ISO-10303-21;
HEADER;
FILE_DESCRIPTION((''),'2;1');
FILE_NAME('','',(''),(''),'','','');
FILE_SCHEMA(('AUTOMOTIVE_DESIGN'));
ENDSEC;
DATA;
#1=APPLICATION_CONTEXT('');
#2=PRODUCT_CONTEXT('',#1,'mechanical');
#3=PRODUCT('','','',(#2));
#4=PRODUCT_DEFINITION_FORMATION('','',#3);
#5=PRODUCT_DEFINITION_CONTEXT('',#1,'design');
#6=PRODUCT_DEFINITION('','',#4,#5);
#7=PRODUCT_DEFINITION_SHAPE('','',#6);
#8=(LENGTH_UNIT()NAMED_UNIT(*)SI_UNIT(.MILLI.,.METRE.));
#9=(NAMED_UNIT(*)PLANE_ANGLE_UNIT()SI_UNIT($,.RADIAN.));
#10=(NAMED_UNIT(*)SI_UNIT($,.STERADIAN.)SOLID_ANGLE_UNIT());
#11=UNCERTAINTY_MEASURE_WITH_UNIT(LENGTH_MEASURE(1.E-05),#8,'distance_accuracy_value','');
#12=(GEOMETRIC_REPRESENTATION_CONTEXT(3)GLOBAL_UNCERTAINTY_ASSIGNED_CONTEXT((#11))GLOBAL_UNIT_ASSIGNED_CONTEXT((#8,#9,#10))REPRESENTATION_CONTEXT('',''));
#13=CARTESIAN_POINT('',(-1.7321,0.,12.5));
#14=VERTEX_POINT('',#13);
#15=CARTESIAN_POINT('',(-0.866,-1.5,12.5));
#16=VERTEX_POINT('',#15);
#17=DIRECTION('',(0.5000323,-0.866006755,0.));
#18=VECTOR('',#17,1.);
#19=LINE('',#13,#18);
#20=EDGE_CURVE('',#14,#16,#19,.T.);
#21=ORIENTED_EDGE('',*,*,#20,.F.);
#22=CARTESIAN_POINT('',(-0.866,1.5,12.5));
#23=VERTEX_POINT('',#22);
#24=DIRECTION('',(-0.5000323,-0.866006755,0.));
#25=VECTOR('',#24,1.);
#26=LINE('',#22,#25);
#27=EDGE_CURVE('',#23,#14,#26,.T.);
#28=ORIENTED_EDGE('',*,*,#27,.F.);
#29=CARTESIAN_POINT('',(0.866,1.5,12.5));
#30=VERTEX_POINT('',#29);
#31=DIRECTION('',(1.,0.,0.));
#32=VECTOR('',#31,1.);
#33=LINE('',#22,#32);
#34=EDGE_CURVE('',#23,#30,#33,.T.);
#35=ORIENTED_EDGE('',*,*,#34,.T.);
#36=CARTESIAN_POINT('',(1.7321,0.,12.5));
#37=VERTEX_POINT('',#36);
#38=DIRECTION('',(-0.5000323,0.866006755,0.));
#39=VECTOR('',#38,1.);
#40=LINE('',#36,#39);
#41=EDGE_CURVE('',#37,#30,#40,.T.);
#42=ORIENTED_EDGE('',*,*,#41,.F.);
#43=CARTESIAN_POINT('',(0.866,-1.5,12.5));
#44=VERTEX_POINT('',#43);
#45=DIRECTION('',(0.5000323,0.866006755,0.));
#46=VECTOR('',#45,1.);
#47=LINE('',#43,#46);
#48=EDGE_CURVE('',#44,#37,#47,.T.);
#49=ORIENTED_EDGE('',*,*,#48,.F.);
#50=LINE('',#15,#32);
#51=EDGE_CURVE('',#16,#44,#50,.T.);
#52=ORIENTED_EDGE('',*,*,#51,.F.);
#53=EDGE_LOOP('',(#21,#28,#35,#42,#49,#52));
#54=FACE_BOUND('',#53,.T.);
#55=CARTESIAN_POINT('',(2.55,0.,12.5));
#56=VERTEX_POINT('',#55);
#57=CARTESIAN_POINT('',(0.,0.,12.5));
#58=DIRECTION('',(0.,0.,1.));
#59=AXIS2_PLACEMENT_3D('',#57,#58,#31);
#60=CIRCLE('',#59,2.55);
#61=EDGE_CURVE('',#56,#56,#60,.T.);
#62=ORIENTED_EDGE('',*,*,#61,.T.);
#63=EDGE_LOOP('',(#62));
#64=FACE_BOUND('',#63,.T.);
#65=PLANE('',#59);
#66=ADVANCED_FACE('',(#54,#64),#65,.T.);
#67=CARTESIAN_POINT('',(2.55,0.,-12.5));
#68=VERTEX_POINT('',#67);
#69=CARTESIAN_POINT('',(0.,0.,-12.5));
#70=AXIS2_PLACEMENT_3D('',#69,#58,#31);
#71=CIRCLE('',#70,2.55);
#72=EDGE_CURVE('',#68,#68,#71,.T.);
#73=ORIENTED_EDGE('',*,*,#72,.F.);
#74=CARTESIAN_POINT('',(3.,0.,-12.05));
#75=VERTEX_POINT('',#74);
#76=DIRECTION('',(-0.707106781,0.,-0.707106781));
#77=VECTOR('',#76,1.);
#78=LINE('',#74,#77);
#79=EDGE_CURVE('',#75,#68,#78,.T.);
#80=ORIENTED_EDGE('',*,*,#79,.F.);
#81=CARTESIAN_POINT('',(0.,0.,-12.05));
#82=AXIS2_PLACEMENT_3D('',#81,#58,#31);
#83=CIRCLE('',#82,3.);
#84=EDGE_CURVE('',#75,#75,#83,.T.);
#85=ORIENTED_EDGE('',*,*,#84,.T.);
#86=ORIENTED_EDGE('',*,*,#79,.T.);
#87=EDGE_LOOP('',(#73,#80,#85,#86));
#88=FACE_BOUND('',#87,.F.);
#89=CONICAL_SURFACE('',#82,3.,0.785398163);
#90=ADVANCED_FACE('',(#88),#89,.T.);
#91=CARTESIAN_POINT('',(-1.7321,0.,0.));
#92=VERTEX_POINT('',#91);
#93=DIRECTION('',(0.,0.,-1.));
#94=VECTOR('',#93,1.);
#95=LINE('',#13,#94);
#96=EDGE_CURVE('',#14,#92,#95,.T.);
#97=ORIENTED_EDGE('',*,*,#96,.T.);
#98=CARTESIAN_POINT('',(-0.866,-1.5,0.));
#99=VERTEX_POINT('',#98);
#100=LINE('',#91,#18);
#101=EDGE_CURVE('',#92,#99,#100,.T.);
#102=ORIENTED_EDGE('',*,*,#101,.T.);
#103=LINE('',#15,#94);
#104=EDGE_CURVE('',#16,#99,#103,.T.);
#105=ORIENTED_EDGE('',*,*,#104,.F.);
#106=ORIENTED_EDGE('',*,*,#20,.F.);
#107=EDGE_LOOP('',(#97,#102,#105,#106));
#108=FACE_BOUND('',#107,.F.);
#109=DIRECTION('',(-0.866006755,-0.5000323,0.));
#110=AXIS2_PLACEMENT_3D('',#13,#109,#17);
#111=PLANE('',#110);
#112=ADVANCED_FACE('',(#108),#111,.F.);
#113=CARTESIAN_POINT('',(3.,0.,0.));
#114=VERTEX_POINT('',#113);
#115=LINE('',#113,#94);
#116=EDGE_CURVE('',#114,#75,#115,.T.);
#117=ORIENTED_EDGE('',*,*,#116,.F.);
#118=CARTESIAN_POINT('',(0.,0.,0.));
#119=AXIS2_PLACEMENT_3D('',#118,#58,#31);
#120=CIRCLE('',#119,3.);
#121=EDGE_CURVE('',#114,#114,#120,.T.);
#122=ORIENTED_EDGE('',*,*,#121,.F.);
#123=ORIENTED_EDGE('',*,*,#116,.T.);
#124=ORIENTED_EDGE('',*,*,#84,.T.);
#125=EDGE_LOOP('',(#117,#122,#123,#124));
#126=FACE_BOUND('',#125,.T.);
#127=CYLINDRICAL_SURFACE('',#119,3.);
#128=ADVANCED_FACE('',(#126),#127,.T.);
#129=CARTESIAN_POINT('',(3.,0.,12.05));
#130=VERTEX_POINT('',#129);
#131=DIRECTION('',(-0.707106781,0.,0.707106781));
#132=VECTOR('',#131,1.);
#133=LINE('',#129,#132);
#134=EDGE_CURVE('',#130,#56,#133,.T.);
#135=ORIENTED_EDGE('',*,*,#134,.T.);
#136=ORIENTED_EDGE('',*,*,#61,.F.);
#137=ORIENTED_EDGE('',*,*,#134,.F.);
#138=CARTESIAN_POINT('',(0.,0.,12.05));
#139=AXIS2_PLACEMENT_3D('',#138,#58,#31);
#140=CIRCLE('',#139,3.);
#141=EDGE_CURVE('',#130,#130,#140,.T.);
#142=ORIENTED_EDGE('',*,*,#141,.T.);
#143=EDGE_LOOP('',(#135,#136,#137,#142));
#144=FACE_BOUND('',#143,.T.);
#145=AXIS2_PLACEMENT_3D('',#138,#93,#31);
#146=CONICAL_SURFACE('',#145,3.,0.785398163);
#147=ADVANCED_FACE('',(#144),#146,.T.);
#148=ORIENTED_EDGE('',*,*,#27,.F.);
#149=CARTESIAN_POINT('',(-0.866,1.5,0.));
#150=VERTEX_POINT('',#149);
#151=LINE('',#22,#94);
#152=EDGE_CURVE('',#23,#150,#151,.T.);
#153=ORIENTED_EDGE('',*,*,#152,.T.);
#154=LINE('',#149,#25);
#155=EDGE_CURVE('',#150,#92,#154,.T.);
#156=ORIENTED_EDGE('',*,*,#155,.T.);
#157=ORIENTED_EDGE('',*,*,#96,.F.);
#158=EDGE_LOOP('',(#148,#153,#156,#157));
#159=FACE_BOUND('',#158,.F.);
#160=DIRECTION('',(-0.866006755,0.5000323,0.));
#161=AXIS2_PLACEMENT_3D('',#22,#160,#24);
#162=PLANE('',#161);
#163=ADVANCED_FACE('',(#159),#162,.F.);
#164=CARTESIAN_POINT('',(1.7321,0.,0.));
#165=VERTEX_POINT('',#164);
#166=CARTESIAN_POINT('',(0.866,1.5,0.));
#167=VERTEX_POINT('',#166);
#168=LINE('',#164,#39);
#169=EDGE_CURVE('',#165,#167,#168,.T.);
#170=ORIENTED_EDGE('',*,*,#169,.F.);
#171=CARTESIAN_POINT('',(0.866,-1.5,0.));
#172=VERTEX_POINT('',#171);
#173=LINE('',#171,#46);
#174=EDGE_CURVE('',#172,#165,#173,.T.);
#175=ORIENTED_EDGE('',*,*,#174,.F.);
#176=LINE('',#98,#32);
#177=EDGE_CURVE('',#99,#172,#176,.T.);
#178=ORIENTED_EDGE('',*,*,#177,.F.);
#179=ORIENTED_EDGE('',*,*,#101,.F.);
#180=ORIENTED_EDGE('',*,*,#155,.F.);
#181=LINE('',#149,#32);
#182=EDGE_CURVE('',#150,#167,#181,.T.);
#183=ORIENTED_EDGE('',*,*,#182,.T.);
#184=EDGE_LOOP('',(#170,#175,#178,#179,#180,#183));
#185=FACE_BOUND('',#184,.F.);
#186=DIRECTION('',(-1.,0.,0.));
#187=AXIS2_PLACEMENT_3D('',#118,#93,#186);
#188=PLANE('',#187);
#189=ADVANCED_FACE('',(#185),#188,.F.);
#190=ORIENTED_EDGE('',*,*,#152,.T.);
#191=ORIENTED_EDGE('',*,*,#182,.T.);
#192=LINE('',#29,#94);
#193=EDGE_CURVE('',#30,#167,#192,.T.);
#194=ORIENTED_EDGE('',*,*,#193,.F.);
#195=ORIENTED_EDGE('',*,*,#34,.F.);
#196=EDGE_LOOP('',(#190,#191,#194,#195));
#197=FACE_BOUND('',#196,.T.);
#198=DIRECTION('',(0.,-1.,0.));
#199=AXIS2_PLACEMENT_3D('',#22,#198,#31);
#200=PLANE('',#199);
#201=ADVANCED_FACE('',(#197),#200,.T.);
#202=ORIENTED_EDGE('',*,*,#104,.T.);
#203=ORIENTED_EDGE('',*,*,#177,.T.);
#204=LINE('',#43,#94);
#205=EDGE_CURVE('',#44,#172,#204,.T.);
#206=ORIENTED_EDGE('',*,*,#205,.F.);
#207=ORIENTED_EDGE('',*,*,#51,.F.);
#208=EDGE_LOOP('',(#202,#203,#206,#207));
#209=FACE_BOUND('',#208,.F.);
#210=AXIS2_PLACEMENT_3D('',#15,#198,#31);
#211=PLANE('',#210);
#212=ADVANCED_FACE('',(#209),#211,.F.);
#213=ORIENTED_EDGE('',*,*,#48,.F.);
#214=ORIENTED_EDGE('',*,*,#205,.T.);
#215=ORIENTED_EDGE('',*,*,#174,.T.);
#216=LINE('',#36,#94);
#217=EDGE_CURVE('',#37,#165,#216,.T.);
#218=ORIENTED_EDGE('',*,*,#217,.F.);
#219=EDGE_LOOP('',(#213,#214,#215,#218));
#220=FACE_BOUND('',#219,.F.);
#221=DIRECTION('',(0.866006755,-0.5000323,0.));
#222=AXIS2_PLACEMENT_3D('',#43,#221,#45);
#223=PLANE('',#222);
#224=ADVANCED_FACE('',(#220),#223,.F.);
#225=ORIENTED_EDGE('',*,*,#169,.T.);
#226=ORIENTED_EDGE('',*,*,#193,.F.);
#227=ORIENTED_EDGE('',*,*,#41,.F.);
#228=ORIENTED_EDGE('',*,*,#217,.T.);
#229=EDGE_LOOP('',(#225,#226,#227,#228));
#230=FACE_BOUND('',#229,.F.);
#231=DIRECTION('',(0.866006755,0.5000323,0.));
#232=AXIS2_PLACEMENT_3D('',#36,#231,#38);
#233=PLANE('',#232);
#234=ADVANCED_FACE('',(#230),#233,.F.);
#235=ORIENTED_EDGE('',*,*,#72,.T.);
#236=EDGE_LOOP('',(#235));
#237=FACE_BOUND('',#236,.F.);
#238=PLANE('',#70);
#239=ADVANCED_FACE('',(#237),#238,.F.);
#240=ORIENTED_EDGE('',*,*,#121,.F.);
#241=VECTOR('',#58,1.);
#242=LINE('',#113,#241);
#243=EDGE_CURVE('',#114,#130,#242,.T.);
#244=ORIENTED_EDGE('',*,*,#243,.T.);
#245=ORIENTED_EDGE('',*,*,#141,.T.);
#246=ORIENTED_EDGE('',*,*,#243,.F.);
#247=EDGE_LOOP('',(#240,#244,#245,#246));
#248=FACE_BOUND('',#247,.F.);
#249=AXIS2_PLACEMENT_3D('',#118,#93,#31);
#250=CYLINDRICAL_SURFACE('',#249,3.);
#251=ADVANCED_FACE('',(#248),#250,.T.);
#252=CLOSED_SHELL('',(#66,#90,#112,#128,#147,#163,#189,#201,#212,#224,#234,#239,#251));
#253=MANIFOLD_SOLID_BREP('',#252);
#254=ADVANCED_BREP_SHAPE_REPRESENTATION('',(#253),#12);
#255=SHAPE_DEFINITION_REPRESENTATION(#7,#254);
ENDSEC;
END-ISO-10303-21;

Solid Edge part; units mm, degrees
sketch "Sketch1" plane through (0, 0, 0) normal (0, 0, 1) x (1, 0, 0)
  circle A0 centre (0, 0) radius 3
  dimension "D1" = 6
extrude "Protrusion1" add sketch "Sketch1" along normal mid plane 25
chamfer "Chamfer1" distance 0.45 angle 45 2 edges at (-3, 0, -12.5) (-3, 0, 12.5)
sketch "Sketch2" plane through (0, 0, 12.5) normal (0, 0, 1) x (1, 0, 0)
  line L0 (-0.866, 1.5) -> (0.866, 1.5)
  line L1 (1.7321, 0) -> (0.866, 1.5)
  line L2 (0.866, -1.5) -> (1.7321, 0)
  line L3 (-0.866, -1.5) -> (0.866, -1.5)
  line L4 (-1.7321, 0) -> (-0.866, -1.5)
  line L5 (-0.866, 1.5) -> (-1.7321, 0)
  dimension "D1" = 3
extrude "Cutout1" cut sketch "Sketch2" against normal blind 12.5
properties part number "24104559"
